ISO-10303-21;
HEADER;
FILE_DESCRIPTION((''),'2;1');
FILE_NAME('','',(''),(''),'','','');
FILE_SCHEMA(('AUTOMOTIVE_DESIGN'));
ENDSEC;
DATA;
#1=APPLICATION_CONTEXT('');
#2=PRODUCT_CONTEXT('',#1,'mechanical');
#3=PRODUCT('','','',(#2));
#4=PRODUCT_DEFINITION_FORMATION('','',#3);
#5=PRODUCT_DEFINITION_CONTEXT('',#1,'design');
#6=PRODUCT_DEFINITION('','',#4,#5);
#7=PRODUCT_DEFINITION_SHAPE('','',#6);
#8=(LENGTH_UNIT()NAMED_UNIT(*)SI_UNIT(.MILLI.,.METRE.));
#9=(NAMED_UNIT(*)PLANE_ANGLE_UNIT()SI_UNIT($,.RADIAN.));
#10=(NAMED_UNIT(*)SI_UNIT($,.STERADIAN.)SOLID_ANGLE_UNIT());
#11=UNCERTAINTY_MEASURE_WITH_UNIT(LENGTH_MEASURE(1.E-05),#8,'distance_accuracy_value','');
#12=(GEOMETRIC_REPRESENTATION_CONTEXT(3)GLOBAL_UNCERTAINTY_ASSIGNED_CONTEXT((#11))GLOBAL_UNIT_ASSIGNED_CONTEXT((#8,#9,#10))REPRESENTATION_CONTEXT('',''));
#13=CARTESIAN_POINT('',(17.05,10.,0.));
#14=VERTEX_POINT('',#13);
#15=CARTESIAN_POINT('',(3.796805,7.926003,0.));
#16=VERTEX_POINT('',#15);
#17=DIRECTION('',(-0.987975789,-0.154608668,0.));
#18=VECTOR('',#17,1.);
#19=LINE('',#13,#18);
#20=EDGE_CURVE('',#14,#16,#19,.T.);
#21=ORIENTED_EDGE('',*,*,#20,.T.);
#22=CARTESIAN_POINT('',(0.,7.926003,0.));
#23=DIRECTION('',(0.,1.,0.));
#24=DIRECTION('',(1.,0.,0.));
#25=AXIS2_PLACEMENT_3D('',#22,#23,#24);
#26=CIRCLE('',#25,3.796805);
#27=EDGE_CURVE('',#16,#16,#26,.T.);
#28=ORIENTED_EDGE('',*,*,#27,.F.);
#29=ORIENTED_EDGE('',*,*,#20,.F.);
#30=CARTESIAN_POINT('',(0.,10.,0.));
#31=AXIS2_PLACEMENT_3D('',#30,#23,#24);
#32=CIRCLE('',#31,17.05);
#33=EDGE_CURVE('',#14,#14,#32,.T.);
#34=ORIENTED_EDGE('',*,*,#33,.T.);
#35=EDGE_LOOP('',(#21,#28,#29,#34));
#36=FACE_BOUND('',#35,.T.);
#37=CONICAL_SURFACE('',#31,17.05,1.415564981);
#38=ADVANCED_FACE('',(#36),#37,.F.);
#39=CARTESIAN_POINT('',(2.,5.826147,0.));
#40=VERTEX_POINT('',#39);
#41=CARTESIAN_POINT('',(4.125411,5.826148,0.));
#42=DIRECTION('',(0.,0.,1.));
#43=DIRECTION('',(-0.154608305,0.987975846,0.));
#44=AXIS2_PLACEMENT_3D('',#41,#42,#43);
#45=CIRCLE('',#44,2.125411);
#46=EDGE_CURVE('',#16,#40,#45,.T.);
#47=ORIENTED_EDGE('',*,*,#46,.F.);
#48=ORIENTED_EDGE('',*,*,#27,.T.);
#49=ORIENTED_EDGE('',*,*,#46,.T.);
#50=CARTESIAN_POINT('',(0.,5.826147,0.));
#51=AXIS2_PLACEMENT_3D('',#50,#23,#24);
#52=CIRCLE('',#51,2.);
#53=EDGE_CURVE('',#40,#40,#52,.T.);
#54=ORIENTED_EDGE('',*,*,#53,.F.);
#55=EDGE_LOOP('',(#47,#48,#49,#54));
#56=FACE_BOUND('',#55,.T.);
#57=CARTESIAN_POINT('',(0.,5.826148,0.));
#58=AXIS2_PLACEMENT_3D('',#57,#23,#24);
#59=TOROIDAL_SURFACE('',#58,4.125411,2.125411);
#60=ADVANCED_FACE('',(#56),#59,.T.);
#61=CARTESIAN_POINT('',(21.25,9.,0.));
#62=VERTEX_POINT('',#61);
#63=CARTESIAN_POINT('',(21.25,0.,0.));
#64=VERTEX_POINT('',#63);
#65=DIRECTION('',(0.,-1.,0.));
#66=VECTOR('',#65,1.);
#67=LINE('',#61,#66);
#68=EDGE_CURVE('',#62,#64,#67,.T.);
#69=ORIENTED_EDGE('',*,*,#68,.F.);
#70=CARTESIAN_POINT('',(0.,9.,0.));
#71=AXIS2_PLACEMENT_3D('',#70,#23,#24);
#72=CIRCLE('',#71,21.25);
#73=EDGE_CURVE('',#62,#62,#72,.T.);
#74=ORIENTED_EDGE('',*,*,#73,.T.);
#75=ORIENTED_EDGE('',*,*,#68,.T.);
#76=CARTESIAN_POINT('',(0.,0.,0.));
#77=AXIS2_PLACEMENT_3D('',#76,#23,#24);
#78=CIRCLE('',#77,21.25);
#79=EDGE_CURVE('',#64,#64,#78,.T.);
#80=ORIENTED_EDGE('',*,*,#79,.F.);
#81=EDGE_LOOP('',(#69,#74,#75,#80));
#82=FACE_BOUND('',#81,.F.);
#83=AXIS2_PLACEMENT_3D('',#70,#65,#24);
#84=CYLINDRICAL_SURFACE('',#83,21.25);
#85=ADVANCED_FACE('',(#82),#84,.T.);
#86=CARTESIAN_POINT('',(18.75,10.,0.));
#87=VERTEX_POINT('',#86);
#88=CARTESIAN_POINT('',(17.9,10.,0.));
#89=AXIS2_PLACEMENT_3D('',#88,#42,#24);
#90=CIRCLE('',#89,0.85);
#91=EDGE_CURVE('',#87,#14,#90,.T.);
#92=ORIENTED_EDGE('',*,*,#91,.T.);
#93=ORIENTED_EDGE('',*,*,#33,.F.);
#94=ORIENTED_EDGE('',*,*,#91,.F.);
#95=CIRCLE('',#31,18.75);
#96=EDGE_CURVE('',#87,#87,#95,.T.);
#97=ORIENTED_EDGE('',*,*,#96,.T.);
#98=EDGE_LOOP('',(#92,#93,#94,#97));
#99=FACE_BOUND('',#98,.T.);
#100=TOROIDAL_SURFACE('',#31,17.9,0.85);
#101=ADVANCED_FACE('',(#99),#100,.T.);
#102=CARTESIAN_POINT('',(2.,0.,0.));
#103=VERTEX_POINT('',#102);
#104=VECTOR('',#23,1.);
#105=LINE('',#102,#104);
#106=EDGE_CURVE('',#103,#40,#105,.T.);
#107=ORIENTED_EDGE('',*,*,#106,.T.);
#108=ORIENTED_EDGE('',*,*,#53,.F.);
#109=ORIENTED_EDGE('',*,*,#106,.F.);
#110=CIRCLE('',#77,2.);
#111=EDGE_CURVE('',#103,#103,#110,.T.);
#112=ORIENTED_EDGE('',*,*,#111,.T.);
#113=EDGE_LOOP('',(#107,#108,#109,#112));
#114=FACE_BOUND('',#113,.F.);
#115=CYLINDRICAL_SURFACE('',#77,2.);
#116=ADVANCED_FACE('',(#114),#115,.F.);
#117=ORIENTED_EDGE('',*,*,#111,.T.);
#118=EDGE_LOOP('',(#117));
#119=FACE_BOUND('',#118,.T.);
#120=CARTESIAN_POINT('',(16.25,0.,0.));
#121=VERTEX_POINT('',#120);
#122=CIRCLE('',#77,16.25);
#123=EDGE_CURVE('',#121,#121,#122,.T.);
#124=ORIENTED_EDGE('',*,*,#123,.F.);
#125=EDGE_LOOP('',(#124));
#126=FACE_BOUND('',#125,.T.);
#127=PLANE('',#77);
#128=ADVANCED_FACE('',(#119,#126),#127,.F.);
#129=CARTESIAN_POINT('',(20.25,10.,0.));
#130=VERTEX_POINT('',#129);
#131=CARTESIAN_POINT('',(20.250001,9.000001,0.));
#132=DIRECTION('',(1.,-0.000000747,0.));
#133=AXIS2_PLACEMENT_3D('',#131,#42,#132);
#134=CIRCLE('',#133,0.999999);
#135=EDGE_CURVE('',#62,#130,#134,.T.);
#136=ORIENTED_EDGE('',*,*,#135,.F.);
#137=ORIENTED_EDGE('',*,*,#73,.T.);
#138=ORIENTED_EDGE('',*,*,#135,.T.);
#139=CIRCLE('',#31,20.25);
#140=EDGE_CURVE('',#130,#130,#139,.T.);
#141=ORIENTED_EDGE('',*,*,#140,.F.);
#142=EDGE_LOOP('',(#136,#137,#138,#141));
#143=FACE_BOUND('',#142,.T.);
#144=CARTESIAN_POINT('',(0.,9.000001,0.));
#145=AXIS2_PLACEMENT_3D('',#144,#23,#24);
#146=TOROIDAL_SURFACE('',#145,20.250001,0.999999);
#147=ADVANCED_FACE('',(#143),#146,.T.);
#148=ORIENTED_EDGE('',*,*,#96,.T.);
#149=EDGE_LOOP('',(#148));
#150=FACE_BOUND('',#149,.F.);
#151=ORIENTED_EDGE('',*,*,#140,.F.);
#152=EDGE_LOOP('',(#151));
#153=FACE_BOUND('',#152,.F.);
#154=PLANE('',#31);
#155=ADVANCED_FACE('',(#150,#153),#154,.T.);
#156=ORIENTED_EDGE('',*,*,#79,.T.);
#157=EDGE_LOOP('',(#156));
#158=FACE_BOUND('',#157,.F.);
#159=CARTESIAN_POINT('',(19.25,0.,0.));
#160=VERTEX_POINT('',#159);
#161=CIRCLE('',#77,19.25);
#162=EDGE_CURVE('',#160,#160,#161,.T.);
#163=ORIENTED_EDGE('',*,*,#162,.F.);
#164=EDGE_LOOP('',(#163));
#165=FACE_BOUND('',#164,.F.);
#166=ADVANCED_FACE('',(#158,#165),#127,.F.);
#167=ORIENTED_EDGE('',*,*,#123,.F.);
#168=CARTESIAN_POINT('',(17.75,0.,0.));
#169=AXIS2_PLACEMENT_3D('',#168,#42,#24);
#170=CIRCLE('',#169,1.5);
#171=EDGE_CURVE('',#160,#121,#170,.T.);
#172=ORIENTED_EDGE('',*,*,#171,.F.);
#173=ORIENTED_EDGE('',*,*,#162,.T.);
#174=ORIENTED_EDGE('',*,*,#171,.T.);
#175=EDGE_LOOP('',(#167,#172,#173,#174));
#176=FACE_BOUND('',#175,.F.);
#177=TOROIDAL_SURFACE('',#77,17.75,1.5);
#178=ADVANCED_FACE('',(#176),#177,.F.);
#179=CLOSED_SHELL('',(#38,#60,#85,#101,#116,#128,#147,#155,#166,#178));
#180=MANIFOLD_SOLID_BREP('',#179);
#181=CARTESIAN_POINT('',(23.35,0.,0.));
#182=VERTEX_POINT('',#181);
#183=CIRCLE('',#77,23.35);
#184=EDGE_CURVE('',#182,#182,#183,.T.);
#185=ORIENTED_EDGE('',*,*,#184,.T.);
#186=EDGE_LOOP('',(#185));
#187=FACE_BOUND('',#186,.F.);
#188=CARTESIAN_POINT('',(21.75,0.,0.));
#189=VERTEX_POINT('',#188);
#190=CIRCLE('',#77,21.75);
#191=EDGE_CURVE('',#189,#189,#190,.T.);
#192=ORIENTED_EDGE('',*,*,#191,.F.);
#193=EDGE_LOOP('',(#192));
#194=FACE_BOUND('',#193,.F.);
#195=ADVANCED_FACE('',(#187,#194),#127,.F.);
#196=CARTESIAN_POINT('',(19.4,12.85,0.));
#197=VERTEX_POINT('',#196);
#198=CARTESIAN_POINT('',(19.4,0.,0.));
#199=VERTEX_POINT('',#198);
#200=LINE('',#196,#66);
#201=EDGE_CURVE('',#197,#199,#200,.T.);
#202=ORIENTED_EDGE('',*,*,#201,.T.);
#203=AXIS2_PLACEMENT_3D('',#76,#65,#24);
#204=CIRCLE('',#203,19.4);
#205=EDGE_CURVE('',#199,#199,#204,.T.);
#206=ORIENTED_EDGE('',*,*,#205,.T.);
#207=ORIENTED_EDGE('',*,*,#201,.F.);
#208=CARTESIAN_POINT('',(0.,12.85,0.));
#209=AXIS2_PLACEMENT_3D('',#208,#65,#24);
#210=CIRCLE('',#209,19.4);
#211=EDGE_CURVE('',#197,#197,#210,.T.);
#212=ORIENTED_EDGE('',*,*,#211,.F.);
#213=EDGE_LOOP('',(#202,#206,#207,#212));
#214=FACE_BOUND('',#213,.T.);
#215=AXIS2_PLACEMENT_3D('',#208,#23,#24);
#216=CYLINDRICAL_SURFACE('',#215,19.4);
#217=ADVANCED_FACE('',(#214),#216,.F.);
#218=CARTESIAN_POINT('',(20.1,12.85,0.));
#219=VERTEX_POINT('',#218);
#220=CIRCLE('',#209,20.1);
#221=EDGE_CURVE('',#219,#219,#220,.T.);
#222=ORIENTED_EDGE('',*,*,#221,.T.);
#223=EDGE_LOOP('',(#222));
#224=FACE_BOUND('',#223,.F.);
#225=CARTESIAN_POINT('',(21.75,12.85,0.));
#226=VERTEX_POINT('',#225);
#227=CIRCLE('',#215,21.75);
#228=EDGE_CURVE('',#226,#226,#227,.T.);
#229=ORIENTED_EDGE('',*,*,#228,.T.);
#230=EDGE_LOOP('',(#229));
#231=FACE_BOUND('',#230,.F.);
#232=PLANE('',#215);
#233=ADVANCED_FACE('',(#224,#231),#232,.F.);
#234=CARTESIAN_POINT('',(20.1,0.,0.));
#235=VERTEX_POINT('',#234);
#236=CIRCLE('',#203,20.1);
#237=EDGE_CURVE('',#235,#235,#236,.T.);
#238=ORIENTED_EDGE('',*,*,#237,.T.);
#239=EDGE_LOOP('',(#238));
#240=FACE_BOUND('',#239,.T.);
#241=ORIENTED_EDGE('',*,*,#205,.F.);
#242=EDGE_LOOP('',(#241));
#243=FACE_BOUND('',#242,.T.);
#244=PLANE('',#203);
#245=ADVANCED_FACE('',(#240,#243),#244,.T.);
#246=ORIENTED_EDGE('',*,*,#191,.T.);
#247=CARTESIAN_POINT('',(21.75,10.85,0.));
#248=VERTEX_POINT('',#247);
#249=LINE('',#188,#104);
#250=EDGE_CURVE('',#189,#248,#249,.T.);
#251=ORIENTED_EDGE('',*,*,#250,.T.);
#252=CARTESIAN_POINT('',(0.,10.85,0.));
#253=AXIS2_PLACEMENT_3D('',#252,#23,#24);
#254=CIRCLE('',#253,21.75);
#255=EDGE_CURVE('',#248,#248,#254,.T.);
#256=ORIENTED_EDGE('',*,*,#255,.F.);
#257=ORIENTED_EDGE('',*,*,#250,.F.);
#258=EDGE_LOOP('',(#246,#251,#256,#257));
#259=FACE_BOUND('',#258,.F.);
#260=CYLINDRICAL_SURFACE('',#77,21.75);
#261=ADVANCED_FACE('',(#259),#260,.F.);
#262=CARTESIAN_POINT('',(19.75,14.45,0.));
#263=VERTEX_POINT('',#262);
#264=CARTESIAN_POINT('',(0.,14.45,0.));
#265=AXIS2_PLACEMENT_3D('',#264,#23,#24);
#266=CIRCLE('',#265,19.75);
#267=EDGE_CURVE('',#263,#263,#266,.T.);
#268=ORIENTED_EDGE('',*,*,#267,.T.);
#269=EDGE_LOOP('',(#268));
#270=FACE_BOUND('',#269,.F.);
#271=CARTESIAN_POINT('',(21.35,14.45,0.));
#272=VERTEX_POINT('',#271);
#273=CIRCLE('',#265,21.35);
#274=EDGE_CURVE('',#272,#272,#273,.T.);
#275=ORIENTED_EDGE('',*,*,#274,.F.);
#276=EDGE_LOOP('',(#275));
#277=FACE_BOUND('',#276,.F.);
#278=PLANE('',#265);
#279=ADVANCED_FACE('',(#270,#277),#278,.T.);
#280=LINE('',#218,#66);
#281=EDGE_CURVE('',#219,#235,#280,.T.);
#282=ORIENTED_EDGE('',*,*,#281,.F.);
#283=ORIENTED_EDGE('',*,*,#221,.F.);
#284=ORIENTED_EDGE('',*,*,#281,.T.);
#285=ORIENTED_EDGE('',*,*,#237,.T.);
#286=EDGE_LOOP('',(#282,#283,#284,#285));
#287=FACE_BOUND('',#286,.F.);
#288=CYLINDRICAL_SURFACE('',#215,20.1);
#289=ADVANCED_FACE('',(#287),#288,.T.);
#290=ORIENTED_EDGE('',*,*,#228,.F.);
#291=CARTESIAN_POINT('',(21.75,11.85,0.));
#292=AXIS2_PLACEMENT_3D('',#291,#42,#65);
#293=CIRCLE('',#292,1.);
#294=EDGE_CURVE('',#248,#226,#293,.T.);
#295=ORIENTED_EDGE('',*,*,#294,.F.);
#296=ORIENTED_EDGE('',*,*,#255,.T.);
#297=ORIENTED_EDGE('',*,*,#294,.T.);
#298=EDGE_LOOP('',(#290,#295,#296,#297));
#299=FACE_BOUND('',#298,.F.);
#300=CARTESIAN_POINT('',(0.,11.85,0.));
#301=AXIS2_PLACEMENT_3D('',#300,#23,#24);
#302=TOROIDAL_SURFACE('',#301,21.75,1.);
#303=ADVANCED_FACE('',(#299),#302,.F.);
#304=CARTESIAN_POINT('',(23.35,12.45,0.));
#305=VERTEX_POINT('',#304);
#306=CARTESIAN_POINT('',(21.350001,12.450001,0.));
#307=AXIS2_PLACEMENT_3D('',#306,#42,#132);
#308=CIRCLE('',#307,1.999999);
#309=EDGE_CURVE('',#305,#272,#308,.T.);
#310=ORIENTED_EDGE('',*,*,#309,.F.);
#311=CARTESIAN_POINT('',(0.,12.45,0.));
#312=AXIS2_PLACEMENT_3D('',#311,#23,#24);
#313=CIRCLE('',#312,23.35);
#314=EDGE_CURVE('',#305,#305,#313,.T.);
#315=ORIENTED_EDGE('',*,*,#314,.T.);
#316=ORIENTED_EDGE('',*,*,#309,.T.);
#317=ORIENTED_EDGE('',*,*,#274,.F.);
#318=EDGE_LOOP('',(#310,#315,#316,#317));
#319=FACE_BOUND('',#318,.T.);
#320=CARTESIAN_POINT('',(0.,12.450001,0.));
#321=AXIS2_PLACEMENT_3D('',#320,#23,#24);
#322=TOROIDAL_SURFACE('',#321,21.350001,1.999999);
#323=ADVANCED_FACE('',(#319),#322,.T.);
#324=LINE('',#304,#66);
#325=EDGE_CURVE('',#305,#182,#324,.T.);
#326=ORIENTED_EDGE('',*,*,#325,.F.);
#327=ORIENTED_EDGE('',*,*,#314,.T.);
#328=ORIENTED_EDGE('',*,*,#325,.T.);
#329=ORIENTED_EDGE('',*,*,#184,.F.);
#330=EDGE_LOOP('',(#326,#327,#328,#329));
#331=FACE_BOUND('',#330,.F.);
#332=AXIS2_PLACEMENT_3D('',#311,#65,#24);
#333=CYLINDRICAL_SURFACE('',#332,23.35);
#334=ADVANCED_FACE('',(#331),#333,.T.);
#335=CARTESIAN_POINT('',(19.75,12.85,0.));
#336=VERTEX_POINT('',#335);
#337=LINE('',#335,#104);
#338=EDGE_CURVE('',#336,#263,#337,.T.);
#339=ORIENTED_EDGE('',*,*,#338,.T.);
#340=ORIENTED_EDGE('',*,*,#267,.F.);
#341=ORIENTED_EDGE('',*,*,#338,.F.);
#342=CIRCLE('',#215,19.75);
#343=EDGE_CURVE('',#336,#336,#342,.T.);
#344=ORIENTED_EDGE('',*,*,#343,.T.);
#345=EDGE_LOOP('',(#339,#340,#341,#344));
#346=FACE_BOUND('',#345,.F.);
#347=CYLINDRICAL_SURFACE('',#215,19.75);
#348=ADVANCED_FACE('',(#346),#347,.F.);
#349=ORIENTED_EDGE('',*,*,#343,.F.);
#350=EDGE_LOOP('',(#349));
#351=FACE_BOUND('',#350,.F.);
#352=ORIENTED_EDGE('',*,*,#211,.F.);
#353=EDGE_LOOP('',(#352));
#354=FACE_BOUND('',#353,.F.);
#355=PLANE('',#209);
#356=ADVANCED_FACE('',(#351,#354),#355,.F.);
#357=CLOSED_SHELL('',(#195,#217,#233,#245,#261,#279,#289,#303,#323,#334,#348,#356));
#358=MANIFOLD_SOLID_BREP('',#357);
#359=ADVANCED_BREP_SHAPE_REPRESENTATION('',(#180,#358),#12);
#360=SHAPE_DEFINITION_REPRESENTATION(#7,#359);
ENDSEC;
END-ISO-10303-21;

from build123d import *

# Parameters (mm, degrees)
SKETCH002_R   = 20.1
SKETCH002_R_2 = 19.4
PAD_DEPTH     = 12.85


with BuildPart() as inner:
    # Sketch → Revolution (revolve)
    with BuildSketch(Plane.XY):
        with BuildLine():
            Line((21.25, 0), (19.25, 0))
            ThreePointArc((19.25, 0), (17.75, 1.5), (16.25, 0))
            Line((2, 0), (16.25, 0))
            Line((2, 0), (2, 5.826147))
            ThreePointArc((3.796805, 7.926003), (2.510512, 7.207985), (2, 5.826147))
            Line((17.05, 10), (3.796805, 7.926003))
            ThreePointArc((18.75, 10), (17.9, 10.85), (17.05, 10))
            Line((18.75, 10), (20.25, 10))
            ThreePointArc((21.25, 9), (20.957107, 9.707107), (20.25, 10))
            Line((21.25, 9), (21.25, 0))
        make_face()
    revolve(axis=Axis((0, 0, 0), (0, 1, 0)))


with BuildPart() as pad:
    # Sketch001 → Revolution001 (revolve)
    with BuildSketch(Plane.XY):
        with BuildLine():
            Line((21.75, 0), (21.75, 10.85))
            ThreePointArc((21.75, 10.85), (22.75, 11.85), (21.75, 12.85))
            Line((21.75, 12.85), (19.75, 12.85))
            Line((19.75, 12.85), (19.75, 14.45))
            Line((19.75, 14.45), (21.35, 14.45))
            ThreePointArc((23.35, 12.45), (22.764214, 13.864214), (21.35, 14.45))
            Line((23.35, 12.45), (23.35, 0))
            Line((23.35, 0), (21.75, 0))
        make_face()
    revolve(axis=Axis((0, 0, 0), (0, 1, 0)))

    # Sketch002 → Pad (new body)
    with BuildSketch(Plane.XZ.offset(-12.85)):
        Circle(SKETCH002_R)
        Circle(SKETCH002_R_2, mode=Mode.SUBTRACT)
    extrude(amount=PAD_DEPTH)


solid = Compound([inner.part, pad.part])
